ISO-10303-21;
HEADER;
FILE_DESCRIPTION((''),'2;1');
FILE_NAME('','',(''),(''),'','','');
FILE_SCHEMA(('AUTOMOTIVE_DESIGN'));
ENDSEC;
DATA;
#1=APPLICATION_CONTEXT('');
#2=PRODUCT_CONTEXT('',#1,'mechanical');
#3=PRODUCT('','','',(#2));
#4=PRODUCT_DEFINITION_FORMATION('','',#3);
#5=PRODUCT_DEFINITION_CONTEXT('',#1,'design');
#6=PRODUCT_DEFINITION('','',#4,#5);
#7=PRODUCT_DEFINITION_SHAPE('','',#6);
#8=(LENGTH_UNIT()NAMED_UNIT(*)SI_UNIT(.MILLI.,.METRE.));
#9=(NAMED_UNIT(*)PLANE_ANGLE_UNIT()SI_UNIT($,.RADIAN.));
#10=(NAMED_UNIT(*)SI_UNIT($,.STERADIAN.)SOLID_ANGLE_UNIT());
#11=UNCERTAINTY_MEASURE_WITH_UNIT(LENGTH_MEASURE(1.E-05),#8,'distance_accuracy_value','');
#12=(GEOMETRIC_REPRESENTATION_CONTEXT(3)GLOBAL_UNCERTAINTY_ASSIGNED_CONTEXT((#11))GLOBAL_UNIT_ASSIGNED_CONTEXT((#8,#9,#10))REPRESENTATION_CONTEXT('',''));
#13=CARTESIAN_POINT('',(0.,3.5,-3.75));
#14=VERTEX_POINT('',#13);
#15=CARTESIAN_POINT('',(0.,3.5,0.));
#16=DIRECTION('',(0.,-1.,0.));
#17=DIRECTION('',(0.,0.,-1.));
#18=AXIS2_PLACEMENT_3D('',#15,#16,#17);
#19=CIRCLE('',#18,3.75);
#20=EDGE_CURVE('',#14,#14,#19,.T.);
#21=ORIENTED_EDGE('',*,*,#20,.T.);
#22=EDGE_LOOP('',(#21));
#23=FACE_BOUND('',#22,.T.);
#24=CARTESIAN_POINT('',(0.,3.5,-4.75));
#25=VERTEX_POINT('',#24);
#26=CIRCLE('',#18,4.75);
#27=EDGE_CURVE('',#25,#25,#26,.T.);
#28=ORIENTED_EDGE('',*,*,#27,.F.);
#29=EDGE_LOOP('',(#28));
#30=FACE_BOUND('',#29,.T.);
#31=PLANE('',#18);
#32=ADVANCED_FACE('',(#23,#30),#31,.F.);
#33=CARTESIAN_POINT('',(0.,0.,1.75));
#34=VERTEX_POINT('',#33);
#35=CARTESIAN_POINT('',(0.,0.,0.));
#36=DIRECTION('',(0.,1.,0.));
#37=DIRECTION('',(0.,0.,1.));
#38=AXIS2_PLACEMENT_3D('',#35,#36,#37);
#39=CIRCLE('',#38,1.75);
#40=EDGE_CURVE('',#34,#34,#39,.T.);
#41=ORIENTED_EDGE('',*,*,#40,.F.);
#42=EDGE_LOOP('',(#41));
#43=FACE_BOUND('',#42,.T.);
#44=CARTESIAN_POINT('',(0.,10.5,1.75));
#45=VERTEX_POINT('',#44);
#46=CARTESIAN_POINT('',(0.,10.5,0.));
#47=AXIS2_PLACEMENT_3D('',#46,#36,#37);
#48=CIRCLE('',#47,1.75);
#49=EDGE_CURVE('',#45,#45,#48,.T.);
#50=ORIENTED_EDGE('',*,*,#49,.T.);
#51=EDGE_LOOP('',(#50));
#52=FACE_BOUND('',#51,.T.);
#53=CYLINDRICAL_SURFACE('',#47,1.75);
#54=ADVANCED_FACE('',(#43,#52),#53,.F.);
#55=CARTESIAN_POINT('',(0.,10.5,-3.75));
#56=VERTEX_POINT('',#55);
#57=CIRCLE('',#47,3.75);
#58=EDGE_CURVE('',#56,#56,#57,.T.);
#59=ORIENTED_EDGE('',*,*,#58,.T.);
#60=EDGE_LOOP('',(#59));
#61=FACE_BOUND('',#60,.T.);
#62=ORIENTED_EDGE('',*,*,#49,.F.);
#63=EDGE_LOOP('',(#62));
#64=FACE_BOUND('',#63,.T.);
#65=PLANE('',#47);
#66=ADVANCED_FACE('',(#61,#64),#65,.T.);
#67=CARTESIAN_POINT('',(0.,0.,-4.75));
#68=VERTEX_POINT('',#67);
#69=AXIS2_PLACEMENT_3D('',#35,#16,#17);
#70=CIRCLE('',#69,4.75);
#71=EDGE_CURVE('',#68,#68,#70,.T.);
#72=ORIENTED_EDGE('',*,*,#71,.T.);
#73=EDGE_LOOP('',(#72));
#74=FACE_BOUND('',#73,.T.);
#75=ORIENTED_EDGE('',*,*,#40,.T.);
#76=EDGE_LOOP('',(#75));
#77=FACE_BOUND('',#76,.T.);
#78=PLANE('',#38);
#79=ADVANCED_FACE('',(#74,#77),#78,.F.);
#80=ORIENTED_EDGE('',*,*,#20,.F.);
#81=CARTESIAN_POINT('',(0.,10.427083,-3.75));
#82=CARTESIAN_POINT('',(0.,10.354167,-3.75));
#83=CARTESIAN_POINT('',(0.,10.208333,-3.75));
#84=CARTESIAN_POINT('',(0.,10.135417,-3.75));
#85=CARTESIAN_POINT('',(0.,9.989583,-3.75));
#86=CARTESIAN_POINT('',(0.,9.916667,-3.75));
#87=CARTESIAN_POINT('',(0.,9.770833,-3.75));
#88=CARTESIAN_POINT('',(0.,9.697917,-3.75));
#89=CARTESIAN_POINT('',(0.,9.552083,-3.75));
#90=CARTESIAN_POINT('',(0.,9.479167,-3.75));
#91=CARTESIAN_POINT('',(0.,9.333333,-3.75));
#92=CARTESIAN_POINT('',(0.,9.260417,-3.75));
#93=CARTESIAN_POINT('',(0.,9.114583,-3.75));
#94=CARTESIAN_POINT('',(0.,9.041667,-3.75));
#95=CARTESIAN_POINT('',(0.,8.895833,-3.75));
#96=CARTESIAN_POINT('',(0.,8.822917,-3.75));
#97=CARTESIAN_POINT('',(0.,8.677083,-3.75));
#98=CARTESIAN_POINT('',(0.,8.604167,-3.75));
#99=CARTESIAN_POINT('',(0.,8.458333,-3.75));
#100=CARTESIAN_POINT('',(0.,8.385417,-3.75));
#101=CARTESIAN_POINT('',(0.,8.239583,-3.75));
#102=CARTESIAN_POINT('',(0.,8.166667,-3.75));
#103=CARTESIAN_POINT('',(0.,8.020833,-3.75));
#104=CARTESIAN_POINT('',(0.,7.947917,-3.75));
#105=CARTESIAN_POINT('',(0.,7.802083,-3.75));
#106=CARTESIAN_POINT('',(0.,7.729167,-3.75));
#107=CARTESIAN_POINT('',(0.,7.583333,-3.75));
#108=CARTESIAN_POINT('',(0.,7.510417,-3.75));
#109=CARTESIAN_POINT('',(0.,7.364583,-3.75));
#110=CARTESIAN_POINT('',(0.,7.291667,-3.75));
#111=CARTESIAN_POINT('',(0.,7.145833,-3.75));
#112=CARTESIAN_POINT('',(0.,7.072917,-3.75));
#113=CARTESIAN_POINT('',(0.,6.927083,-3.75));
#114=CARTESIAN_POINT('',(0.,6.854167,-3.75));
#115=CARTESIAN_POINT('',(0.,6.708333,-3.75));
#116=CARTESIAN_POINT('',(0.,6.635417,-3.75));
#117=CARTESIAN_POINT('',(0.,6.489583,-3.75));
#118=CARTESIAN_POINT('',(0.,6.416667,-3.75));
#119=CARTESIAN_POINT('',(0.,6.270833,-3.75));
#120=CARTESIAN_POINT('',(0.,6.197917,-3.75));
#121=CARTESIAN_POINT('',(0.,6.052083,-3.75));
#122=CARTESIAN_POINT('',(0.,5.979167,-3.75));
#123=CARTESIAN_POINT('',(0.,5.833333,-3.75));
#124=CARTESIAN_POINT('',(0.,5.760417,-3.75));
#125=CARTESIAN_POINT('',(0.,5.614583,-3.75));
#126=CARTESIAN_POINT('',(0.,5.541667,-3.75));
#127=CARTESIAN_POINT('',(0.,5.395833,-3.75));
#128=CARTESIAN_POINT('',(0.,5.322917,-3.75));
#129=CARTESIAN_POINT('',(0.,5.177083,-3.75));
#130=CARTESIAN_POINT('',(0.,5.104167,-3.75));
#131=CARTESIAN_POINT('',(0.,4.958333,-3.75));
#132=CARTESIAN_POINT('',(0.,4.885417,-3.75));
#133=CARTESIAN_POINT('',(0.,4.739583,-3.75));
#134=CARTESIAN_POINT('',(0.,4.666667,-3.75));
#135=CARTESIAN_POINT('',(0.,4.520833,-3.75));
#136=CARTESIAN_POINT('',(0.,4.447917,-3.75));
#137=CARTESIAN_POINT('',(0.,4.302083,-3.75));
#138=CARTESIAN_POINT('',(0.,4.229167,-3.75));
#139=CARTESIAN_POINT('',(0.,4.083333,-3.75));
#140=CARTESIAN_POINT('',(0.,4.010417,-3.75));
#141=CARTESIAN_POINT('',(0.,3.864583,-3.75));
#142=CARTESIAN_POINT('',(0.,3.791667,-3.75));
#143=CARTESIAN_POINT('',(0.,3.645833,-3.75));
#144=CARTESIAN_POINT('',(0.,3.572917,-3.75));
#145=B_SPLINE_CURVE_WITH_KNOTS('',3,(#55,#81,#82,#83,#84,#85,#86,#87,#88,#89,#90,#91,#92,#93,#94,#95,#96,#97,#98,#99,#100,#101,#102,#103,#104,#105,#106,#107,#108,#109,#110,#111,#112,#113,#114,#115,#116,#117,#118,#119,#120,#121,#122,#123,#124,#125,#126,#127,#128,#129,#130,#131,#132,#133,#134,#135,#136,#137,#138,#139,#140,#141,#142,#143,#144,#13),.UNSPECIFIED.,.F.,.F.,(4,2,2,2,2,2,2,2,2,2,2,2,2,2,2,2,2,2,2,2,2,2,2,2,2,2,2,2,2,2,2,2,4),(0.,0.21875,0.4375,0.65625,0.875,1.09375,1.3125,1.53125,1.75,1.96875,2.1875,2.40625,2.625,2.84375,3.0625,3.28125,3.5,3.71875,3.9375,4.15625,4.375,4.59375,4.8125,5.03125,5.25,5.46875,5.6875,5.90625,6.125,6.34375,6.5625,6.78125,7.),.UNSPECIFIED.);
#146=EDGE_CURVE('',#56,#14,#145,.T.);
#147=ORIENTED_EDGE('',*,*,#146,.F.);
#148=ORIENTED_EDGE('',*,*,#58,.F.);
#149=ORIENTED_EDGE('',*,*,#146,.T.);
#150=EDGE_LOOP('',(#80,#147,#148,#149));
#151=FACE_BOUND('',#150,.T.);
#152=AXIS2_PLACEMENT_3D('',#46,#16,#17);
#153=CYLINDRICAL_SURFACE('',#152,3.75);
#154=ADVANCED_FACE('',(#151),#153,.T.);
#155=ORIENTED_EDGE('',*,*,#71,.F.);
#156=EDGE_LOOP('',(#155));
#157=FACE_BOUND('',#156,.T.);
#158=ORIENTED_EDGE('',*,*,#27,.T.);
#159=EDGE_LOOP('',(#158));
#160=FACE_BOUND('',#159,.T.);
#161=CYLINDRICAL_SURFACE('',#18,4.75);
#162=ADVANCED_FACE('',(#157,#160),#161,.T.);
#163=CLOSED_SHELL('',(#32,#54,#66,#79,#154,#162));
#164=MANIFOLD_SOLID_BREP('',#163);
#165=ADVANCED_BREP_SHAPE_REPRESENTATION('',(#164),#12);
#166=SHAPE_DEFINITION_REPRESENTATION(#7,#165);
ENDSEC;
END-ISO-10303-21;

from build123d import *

# Parameters (mm, degrees)
SKETCH1_R                  = 3.75
BOSS_EXTRUDE1_DEPTH        = 10.5
F_3_5_3_5_DIAMETER_HOLE1_D = 3.5
SKETCH5_R                  = 4.75
SKETCH5_R_2                = 3.75
BOSS_EXTRUDE2_DEPTH        = 3.5


with BuildPart() as part:
    # Sketch1 → Boss-Extrude1 (new body)
    with BuildSketch(Plane(origin=(0, 0, 0), x_dir=(1, 0, 0), z_dir=(0, 1, 0))):
        with Locations(Location((0, 0, 0), (0, 0, 90))):
            Circle(SKETCH1_R)
    extrude(amount=BOSS_EXTRUDE1_DEPTH)

    # Ø3.5 (3.5) Diameter Hole1 (through all)
    with Locations(Plane(origin=(0, 10.5, 0), x_dir=(1, 0, 0), z_dir=(0, 1, 0))):
        with Locations((0, 0)):
            Hole(F_3_5_3_5_DIAMETER_HOLE1_D / 2)

    # Sketch5 → Boss-Extrude2 (add)
    with BuildSketch(Plane.XZ):
        with Locations(Location((0, 0, 0), (0, 0, 270))):
            Circle(SKETCH5_R)
        with Locations(Location((0, 0, 0), (0, 0, 270))):
            Circle(SKETCH5_R_2, mode=Mode.SUBTRACT)
    extrude(amount=-BOSS_EXTRUDE2_DEPTH)


solid = part.part
